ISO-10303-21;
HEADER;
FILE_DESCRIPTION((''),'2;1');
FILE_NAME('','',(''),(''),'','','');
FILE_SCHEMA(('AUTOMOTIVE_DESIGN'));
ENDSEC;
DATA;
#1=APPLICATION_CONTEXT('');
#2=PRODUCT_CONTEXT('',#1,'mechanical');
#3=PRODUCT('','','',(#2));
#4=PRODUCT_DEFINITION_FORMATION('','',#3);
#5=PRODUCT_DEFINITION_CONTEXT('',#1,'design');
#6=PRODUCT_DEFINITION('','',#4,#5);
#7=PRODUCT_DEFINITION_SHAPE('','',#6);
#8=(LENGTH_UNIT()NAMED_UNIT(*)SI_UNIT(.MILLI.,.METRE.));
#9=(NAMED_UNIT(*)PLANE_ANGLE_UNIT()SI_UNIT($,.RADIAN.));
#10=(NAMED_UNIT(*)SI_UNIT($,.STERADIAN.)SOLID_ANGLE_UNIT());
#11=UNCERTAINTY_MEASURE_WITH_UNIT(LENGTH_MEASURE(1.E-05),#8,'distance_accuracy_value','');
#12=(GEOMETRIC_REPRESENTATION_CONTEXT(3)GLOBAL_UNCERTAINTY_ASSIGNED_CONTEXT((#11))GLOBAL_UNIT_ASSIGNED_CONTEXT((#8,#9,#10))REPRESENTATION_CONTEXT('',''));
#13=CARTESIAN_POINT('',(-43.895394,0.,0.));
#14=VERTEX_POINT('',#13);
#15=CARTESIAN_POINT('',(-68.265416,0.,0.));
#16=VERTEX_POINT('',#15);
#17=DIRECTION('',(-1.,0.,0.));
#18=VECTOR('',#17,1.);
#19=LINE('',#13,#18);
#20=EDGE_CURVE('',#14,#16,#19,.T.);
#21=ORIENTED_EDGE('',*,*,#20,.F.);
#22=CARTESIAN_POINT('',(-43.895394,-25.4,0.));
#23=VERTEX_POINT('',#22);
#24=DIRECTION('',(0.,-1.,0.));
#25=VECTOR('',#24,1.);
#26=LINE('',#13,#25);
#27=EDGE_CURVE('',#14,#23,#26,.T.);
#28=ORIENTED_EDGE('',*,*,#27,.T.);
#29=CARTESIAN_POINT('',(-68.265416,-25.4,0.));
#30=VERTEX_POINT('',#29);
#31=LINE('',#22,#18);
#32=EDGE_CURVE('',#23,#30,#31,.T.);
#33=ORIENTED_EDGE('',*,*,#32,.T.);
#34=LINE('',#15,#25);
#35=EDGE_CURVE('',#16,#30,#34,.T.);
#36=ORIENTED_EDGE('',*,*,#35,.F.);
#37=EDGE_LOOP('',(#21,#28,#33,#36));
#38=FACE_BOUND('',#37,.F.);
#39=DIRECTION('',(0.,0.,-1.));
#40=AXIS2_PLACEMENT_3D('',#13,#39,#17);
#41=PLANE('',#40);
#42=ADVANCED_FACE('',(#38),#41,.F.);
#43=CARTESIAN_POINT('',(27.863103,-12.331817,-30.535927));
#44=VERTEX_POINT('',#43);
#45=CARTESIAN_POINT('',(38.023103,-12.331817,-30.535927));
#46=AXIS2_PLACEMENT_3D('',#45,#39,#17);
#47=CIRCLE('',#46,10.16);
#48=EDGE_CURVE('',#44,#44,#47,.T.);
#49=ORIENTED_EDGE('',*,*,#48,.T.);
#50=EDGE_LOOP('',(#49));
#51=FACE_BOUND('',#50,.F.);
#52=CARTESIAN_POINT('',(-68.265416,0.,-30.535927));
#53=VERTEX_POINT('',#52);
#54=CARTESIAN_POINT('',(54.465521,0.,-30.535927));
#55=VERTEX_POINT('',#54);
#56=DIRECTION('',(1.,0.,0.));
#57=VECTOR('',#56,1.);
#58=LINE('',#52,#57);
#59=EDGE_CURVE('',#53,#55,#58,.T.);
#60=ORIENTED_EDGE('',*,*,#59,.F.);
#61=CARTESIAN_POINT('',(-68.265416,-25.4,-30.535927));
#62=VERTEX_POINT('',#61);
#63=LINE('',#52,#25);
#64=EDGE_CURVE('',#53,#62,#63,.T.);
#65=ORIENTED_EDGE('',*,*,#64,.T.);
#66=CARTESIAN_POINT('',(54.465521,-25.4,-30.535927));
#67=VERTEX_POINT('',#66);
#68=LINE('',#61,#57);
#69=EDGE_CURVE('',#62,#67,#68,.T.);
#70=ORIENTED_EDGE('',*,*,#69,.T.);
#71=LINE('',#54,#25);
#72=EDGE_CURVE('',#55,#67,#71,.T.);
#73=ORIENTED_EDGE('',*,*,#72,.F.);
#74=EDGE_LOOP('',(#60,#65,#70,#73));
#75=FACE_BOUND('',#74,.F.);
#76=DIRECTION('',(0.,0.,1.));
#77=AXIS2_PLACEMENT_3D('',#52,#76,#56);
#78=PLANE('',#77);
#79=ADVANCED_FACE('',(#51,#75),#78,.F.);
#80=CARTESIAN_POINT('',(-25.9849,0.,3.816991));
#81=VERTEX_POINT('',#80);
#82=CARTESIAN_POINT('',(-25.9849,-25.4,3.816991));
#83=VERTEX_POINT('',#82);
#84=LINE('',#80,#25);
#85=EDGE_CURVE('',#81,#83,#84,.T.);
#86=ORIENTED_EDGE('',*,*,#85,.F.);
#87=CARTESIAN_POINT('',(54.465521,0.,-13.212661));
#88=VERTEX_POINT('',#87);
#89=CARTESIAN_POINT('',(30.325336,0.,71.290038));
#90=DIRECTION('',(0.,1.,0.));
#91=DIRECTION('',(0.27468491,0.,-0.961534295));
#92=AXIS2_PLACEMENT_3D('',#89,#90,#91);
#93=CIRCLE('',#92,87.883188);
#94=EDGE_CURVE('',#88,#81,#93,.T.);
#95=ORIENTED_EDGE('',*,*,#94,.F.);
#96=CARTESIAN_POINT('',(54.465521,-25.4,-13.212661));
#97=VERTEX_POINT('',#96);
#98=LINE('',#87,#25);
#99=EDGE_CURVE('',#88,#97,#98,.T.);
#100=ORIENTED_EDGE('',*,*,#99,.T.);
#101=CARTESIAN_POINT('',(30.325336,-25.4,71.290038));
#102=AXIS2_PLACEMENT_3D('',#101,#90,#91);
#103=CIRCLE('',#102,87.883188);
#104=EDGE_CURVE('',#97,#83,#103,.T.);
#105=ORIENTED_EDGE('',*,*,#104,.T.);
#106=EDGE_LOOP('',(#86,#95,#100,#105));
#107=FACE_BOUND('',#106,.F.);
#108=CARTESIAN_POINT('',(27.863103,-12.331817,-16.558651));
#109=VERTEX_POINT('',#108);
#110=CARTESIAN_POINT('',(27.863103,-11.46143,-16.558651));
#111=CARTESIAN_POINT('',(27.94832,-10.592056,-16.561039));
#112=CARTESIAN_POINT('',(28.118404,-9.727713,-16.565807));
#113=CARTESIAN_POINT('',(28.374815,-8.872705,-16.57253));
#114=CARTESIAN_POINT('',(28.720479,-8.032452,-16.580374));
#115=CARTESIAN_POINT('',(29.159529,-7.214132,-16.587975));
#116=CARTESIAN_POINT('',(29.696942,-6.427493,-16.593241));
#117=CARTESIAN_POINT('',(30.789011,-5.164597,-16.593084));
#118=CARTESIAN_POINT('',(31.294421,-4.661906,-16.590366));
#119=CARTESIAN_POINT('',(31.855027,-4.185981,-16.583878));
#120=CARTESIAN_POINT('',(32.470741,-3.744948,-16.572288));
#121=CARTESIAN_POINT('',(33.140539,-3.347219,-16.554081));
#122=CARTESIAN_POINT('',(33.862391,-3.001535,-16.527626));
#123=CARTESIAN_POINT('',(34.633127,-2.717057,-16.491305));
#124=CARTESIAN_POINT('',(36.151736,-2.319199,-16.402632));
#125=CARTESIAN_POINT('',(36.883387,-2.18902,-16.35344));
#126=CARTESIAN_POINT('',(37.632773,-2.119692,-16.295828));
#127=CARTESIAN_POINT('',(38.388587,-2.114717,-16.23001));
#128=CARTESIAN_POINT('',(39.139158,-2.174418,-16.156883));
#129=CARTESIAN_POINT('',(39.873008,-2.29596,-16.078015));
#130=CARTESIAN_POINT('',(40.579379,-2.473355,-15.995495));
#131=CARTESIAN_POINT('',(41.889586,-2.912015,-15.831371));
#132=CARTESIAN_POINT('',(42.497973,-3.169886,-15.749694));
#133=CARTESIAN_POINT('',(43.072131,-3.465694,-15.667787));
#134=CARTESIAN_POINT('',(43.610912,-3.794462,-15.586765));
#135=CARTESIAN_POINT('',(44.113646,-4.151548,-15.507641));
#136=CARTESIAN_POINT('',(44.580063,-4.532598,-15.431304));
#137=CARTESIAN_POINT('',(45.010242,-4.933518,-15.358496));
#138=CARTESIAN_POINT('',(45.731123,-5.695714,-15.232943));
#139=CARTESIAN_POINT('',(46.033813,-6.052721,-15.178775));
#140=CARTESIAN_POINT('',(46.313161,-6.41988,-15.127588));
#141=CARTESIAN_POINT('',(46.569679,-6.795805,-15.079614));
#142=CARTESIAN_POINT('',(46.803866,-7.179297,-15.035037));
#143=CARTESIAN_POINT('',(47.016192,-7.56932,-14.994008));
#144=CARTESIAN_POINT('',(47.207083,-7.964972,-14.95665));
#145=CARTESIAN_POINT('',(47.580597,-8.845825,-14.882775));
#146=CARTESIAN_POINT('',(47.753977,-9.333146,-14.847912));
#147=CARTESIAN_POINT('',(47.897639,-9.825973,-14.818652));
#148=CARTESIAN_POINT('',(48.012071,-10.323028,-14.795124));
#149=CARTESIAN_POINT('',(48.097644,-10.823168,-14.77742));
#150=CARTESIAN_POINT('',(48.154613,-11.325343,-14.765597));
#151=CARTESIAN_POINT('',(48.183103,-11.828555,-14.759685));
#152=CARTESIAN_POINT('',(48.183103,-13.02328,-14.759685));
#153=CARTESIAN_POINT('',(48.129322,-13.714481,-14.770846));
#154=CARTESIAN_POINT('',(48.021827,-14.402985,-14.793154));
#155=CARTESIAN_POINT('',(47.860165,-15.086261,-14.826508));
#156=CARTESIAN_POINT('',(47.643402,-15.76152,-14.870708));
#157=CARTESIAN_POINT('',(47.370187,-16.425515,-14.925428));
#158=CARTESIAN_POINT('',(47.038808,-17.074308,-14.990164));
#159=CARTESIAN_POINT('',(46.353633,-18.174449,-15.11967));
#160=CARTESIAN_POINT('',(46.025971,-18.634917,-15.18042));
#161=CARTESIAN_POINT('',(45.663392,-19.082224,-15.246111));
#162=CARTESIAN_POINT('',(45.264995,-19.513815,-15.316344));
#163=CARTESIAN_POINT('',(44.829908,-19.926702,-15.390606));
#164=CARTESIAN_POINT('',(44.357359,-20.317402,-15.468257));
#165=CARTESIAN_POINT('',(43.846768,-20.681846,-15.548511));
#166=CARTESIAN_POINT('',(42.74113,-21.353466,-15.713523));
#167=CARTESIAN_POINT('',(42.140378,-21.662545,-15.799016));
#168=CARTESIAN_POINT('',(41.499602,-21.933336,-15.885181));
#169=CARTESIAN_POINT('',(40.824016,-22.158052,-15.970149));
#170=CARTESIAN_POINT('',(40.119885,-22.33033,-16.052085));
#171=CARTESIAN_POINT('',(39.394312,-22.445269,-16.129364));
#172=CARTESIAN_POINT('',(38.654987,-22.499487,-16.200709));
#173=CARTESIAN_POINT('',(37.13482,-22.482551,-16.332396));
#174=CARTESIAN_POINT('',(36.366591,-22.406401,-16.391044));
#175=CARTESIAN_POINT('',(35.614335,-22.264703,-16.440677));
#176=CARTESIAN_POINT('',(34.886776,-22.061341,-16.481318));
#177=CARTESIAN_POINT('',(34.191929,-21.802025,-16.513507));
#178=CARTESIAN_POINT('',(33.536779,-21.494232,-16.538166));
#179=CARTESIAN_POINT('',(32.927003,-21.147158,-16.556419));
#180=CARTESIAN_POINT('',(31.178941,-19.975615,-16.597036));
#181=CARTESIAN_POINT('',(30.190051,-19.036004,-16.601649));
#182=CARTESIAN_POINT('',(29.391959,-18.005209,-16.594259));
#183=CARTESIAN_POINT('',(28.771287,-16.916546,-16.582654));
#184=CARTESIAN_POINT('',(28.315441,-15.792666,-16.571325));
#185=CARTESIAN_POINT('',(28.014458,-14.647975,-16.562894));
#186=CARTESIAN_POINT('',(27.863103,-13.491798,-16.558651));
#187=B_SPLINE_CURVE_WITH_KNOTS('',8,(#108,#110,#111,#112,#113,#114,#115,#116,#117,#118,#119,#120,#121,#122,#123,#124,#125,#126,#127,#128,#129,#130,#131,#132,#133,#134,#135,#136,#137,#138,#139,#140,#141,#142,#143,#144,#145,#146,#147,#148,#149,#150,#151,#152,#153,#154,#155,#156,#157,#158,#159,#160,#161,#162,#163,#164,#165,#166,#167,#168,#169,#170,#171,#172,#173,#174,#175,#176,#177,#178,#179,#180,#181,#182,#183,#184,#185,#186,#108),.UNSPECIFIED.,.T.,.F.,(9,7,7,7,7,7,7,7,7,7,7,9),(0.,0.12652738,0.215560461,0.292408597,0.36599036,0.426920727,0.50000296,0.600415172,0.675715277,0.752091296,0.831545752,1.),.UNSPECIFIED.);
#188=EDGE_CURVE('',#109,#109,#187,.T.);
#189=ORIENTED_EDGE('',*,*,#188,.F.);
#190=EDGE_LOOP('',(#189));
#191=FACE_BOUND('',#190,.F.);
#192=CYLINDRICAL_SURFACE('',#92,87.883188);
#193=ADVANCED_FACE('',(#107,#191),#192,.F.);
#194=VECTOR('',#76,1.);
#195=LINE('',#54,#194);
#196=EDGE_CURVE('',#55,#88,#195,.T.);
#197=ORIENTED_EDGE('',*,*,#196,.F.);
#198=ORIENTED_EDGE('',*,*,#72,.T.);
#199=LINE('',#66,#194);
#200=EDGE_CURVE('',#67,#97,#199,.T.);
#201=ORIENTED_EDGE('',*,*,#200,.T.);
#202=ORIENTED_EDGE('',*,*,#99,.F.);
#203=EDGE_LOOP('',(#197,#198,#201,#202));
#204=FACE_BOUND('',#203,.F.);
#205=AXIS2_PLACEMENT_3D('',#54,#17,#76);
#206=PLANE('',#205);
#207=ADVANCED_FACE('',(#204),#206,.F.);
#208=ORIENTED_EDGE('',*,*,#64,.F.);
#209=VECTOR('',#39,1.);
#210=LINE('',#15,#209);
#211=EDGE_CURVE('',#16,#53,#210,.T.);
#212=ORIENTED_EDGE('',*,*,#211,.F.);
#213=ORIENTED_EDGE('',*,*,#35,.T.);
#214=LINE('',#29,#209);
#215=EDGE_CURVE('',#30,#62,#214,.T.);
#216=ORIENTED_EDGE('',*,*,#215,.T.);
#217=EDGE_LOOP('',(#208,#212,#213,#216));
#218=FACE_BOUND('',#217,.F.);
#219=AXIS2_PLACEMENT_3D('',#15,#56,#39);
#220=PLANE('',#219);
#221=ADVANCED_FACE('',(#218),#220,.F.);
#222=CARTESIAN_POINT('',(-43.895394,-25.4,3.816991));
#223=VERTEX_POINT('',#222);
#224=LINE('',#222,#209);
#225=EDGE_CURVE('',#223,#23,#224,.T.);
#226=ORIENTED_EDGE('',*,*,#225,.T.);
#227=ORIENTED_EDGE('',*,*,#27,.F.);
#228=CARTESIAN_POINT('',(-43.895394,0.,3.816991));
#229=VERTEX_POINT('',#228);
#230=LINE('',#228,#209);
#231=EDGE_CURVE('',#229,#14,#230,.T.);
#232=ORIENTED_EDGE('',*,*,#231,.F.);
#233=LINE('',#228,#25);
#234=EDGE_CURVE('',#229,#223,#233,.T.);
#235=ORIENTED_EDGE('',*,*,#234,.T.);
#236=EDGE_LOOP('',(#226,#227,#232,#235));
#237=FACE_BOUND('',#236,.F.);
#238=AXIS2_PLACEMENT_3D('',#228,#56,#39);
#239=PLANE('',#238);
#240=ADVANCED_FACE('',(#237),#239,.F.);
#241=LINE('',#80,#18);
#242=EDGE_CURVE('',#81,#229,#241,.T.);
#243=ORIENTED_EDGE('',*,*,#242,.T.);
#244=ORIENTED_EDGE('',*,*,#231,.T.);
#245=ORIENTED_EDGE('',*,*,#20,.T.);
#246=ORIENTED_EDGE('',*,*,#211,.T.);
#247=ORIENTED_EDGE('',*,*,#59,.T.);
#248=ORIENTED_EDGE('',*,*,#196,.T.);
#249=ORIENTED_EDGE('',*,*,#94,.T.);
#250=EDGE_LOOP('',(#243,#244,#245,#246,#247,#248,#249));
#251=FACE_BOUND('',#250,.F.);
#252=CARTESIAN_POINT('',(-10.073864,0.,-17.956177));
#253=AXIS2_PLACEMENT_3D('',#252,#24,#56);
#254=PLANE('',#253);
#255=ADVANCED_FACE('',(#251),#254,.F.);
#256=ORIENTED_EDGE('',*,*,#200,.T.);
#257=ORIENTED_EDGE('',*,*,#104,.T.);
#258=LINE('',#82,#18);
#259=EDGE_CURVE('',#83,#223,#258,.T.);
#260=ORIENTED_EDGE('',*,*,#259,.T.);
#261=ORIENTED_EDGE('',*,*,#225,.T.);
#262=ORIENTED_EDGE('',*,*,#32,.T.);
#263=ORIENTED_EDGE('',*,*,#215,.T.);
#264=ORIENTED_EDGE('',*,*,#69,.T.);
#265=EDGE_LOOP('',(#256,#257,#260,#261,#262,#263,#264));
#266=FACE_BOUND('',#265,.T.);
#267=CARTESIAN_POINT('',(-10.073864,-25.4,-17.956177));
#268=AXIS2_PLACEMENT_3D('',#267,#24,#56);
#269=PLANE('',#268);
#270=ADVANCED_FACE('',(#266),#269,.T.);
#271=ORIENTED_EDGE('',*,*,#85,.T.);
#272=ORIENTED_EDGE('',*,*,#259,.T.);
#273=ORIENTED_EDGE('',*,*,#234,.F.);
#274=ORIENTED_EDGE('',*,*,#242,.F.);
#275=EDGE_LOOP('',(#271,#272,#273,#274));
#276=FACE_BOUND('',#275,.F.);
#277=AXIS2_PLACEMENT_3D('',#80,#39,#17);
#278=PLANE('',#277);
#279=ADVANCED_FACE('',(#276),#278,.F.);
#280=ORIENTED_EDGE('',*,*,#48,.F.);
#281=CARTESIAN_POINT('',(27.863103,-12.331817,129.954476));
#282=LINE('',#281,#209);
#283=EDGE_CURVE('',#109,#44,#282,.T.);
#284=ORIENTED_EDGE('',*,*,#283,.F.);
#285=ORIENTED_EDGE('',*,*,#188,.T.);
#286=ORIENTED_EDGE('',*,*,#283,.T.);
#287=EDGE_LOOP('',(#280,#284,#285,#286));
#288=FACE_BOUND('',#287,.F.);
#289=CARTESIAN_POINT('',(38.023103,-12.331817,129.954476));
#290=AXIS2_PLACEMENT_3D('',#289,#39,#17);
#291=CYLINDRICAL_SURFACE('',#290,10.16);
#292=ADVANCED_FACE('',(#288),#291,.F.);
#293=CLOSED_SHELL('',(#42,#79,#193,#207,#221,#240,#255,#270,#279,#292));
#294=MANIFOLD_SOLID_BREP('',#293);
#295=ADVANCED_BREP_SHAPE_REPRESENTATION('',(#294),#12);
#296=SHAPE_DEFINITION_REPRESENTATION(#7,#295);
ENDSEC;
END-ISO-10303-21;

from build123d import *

# Parameters (mm, degrees)
F1_DEPTH = 25.4
F3_D     = 20.32


with BuildPart() as f1:
    # F0 (on Front) → F1 (new body)
    with BuildSketch(Plane.XZ):
        with BuildLine():
            Line((-68.265416, 0), (-68.265416, -30.535927))
            Line((-68.265416, -30.535927), (54.465521, -30.535927))
            Line((54.465521, -30.535927), (54.465521, -13.212661))
            ThreePointArc((54.465521, -13.212661), (12.125602, -14.688008), (-25.9849, 3.816991))
            Line((-25.9849, 3.816991), (-43.895394, 3.816991))
            Line((-43.895394, 3.816991), (-43.895394, 0))
            Line((-43.895394, 0), (-68.265416, 0))
        make_face()
    extrude(amount=F1_DEPTH)

    # F3 (through all)
    with Locations(Plane.XY):
        with Locations((38.023103, -12.331817)):
            Hole(F3_D / 2)


solid = f1.part
